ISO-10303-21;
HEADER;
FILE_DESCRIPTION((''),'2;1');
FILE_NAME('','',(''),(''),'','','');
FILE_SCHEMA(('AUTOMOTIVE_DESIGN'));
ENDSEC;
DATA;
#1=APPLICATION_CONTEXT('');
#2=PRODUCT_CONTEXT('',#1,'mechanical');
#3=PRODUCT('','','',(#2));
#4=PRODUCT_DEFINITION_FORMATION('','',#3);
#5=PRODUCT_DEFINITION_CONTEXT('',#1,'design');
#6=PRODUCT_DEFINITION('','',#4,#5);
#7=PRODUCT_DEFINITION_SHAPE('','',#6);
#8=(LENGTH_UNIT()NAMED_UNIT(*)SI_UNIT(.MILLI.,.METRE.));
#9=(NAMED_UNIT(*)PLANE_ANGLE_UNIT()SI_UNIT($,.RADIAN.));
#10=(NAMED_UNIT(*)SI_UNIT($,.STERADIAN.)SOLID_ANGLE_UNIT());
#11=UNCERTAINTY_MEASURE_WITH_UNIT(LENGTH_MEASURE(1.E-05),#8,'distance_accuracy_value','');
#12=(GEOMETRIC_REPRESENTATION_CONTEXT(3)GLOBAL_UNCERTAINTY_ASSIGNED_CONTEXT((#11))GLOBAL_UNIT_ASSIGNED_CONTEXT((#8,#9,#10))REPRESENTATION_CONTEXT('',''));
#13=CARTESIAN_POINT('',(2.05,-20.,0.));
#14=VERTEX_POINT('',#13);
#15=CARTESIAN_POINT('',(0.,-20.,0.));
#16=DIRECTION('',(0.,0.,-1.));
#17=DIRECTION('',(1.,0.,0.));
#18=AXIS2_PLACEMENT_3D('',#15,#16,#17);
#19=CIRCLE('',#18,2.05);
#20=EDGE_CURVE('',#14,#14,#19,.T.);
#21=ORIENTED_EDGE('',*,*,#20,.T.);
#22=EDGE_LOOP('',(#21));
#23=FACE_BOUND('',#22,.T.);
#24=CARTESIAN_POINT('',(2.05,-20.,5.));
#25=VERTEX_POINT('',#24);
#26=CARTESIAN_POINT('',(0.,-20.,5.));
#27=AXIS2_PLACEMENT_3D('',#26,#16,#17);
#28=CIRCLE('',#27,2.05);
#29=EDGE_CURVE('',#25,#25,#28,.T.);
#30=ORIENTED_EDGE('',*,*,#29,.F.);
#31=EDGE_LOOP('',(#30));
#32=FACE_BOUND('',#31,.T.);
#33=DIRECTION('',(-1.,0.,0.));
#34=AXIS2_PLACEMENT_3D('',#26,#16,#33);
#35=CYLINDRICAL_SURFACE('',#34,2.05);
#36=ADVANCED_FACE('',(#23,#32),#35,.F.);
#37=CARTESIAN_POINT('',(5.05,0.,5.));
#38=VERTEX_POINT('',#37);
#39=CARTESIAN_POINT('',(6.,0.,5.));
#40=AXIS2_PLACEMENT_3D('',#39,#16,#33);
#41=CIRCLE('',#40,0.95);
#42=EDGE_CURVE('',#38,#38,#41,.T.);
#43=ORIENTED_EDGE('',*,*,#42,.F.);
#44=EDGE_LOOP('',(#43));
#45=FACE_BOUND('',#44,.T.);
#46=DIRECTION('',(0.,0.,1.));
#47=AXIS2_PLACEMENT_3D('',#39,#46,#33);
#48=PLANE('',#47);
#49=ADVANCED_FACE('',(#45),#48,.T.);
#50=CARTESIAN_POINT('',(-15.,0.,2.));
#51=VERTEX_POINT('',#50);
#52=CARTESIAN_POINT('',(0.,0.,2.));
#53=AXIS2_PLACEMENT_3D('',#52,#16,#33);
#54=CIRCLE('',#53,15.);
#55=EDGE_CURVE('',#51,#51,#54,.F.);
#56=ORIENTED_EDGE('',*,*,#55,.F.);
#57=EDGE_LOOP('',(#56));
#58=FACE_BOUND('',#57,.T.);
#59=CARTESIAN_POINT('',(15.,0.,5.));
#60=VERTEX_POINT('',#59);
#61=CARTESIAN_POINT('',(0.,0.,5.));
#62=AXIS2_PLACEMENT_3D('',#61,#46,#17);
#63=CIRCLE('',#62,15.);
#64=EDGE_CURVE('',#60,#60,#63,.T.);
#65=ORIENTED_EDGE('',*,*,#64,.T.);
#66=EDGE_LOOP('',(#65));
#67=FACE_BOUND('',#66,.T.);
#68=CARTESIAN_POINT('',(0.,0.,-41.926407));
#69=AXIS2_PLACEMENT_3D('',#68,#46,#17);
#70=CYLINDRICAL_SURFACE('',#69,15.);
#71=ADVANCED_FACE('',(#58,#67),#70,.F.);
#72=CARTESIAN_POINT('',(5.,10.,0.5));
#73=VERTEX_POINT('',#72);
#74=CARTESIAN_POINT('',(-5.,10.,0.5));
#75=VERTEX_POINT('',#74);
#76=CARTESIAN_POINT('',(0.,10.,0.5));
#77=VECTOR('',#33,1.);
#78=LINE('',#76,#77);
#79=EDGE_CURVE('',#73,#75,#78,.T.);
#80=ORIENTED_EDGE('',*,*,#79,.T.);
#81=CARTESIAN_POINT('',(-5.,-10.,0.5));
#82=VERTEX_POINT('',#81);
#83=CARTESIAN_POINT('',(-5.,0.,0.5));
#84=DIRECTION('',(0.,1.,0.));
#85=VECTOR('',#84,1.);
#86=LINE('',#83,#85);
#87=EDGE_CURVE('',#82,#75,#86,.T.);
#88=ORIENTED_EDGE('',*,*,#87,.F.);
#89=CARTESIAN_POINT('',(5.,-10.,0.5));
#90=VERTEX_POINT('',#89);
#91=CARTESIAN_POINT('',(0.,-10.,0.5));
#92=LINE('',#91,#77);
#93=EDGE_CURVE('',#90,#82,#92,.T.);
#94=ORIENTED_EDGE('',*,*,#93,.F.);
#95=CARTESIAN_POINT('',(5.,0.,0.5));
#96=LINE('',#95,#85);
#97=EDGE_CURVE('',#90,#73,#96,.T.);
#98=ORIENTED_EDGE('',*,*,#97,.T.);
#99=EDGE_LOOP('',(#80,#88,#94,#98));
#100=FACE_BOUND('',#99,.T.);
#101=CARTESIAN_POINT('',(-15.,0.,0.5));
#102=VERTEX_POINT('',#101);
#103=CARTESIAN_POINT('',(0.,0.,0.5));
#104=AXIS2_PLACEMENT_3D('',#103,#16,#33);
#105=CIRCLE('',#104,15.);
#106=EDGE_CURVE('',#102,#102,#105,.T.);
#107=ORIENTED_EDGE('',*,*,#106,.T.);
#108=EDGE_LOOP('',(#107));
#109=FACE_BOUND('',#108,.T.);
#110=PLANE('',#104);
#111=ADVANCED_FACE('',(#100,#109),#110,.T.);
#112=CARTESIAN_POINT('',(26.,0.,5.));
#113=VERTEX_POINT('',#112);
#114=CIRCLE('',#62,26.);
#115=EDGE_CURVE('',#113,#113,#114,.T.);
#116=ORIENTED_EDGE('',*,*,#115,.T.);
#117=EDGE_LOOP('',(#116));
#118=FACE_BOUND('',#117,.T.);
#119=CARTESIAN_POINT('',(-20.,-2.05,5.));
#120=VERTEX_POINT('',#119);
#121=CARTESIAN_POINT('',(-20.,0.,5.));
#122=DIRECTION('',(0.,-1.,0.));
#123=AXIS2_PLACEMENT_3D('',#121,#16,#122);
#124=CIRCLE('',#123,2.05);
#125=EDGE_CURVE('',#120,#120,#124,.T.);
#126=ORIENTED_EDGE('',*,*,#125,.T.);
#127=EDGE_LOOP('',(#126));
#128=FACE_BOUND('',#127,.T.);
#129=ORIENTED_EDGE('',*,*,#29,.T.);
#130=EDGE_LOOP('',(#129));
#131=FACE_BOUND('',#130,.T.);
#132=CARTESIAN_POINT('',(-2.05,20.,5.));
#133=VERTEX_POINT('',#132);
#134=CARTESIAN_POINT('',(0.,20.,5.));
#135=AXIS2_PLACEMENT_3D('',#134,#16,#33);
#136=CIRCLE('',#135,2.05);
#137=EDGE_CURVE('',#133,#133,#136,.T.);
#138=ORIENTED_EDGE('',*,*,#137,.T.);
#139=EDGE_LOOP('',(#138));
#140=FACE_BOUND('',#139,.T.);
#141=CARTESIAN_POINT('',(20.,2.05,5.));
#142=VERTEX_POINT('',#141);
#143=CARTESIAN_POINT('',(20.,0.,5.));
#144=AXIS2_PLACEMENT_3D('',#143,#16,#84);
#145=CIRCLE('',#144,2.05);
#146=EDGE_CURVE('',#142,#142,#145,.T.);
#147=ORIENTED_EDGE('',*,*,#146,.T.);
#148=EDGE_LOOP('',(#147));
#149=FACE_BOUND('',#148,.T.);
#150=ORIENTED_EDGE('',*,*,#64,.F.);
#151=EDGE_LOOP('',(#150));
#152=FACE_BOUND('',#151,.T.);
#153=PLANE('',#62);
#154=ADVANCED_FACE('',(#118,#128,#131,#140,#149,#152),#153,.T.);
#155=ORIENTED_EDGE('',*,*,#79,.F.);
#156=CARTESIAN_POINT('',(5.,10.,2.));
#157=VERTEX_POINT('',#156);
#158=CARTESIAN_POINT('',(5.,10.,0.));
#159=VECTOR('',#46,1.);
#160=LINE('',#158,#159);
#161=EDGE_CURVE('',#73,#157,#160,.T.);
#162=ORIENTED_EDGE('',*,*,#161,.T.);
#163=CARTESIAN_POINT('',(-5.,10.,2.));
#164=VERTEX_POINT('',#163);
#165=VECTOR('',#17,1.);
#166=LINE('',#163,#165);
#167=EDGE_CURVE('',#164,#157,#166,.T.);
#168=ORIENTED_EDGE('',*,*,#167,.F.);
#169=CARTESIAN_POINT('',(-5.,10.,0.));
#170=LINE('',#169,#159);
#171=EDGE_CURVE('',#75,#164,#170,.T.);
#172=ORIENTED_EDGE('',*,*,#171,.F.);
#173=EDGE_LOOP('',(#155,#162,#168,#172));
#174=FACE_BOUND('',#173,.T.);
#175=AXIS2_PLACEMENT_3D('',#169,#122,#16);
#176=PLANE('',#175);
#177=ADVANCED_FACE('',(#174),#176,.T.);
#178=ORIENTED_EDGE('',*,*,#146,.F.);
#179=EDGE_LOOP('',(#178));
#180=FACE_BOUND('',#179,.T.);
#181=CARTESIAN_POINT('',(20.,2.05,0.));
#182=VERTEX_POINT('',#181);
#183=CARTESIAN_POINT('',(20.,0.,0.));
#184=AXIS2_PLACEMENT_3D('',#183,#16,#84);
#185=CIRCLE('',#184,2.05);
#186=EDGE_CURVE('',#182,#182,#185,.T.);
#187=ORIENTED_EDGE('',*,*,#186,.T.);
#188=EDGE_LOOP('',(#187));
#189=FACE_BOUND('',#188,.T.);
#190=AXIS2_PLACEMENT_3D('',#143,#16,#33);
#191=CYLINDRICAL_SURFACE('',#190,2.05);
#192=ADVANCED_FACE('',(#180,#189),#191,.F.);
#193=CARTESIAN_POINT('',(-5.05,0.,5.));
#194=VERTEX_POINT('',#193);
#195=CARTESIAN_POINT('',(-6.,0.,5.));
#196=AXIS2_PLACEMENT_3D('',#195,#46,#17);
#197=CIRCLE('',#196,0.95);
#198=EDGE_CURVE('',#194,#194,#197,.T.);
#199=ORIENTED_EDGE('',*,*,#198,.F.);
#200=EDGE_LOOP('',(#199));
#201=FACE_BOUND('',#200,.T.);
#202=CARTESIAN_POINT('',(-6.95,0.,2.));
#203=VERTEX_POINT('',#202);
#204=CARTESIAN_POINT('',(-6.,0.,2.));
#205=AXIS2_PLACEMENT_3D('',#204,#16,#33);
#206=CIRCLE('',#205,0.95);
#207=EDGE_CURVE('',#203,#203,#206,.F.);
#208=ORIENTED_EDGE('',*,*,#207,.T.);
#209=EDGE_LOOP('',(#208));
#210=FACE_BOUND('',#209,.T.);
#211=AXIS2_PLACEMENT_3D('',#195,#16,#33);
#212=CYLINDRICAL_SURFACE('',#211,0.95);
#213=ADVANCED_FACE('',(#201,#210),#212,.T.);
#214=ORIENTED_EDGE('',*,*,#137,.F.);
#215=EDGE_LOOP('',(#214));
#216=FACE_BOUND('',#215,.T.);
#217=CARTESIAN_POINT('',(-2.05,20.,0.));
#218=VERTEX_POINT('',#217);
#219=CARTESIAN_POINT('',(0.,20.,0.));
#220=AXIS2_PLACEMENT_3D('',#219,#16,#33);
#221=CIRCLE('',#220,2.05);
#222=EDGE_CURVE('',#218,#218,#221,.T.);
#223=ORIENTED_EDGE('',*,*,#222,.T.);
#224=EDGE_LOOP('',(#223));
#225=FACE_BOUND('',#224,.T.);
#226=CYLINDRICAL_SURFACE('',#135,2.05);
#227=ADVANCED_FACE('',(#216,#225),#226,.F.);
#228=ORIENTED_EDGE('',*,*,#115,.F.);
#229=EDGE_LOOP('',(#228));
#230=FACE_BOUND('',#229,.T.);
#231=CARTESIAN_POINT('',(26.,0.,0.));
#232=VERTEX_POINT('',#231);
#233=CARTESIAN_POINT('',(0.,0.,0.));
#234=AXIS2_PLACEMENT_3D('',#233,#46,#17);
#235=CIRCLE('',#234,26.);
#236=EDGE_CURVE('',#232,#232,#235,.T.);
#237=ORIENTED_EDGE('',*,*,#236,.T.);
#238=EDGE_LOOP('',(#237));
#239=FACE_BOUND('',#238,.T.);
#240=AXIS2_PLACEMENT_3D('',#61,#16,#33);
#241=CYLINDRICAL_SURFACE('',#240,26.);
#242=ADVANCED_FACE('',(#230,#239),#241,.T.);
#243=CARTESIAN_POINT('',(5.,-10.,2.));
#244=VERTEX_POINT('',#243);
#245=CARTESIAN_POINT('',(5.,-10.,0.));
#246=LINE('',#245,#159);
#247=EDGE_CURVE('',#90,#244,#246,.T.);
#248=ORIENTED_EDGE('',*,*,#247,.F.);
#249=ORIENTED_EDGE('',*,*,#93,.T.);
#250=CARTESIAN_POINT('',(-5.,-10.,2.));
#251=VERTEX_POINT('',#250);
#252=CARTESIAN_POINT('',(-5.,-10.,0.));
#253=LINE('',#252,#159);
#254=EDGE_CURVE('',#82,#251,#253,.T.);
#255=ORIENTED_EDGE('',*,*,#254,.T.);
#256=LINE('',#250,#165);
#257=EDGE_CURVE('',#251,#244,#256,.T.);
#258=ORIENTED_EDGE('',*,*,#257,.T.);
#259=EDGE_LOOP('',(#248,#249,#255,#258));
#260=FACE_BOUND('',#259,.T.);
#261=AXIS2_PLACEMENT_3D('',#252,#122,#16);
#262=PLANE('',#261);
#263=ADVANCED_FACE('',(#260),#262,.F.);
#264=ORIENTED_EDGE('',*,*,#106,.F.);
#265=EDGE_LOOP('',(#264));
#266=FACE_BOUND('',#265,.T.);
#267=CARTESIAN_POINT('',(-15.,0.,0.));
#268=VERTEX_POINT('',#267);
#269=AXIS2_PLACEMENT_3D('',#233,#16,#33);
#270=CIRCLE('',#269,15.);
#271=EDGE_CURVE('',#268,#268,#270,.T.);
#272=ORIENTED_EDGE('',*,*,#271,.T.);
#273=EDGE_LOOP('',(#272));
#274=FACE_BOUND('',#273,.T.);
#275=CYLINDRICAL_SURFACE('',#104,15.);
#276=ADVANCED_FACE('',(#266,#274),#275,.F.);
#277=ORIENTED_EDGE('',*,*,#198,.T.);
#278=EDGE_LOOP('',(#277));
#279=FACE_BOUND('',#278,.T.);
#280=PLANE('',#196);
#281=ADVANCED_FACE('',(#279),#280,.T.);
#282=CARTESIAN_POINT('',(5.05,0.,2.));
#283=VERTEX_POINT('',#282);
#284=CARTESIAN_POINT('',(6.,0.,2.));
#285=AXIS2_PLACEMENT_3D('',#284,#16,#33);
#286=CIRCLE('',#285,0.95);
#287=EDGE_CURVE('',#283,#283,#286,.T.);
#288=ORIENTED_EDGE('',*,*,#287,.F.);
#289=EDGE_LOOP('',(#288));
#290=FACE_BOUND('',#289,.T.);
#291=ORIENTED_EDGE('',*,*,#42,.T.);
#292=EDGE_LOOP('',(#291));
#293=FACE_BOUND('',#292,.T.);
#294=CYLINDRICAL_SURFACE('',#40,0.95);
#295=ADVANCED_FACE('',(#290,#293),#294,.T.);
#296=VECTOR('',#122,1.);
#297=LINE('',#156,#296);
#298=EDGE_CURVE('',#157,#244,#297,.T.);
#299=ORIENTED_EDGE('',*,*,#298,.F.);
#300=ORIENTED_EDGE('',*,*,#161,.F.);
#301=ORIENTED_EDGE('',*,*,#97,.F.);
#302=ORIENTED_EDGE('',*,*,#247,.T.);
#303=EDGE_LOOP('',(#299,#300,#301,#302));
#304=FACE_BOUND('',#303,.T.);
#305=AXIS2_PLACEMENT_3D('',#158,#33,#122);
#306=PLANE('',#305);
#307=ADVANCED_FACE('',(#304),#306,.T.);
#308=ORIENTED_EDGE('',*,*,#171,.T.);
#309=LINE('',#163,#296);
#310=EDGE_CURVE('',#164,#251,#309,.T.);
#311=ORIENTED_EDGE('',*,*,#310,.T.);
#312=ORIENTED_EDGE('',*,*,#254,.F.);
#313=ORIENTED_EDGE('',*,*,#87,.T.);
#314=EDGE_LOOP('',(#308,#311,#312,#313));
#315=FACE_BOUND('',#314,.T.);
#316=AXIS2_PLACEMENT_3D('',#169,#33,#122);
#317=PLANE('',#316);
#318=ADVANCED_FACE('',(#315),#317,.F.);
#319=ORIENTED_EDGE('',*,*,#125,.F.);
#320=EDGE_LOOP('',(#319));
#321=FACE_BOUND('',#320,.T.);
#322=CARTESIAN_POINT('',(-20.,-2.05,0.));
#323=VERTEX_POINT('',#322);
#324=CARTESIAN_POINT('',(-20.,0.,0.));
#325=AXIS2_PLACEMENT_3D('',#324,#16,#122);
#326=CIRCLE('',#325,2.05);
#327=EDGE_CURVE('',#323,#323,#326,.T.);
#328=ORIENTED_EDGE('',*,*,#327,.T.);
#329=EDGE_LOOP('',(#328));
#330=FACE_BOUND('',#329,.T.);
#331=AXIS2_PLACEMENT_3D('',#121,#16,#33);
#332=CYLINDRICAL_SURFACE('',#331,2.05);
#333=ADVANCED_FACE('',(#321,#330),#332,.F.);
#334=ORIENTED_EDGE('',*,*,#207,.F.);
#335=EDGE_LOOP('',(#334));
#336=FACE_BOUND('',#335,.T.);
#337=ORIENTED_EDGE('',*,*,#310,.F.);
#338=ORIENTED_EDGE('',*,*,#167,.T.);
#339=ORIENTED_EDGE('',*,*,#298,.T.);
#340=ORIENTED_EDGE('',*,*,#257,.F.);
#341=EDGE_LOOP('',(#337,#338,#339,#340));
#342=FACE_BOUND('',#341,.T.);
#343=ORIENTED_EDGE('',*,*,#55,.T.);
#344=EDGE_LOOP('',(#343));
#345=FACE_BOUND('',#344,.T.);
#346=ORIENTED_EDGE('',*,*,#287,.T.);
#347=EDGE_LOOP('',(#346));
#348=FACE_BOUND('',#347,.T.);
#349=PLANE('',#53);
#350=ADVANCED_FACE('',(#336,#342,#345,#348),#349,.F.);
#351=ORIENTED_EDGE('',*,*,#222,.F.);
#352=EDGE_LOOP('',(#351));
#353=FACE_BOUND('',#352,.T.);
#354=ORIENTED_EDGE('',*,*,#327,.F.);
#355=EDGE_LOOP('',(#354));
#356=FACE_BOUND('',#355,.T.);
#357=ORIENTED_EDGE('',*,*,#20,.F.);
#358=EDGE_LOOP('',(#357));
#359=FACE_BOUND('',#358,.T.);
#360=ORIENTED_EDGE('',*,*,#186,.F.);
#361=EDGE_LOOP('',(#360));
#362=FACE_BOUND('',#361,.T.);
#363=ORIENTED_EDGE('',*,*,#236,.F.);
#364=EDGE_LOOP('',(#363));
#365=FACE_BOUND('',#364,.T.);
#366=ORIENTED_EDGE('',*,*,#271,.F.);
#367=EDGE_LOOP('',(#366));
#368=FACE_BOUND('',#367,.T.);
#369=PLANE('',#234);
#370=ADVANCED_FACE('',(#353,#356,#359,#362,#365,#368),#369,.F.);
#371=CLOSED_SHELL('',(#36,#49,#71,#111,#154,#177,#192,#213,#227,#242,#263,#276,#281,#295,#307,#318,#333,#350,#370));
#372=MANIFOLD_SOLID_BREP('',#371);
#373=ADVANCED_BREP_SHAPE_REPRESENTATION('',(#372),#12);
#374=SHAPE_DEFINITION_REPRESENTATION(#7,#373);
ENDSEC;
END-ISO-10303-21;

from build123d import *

# Parameters (mm, degrees)
SKETCH_1_R               = 26
EXTRUDE_1_DEPTH          = 5
SKETCH_2_R               = 2.05
CUT_EXTRUDE_1_DEPTH      = 38.107950631
PATTERN_CIRCULAR_1_COUNT = 4
SKETCH_3_R               = 15
CUT_EXTRUDE_2_DEPTH      = 0.5
CUT_EXTRUDE_START        = -3
SKETCH_4_R               = 15
CUT_EXTRUDE_3_DEPTH      = 3
SKETCH_5_W               = 10
SKETCH_5_H               = 20
CUT_EXTRUDE_4_DEPTH      = 37.891733491
SKETCH_6_R               = 0.95
EXTRUDE_2_DEPTH          = 3


with BuildPart() as part:
    # 草图1 → 凸台-拉伸1 (new body)
    with BuildSketch(Plane.XY):
        Circle(SKETCH_1_R)
    extrude(amount=EXTRUDE_1_DEPTH)

    # 草图2 → 切除-拉伸1 (cut, through all)
    with BuildSketch(Plane(origin=(0, 0, 0), x_dir=(-1, 0, 0), z_dir=(0, 0, -1))):
        with Locations((0, 20)):
            Circle(SKETCH_2_R)
    cut_extrude_1 = extrude(amount=-CUT_EXTRUDE_1_DEPTH, mode=Mode.SUBTRACT)

    # 阵列(圆周)1: 切除-拉伸1 ×4 about axis
    pattern_circular_1_axis = Axis((0, 0, 0), (0, 0, 1))
    for i in range(1, PATTERN_CIRCULAR_1_COUNT):
        add(cut_extrude_1.rotate(pattern_circular_1_axis, i * 360 / PATTERN_CIRCULAR_1_COUNT), mode=Mode.SUBTRACT)

    # 草图3 → 切除-拉伸2 (cut)
    with BuildSketch(Plane(origin=(0, 0, 0), x_dir=(-1, 0, 0), z_dir=(0, 0, -1))):
        Circle(SKETCH_3_R)
    extrude(amount=-CUT_EXTRUDE_2_DEPTH, mode=Mode.SUBTRACT)

    # 草图4 → 切除-拉伸3 (cut)
    with BuildSketch(Plane.XY.offset(5).offset(CUT_EXTRUDE_START)):
        with Locations(Location((0, 0, 0), (0, 0, 180))):
            Circle(SKETCH_4_R)
    extrude(amount=CUT_EXTRUDE_3_DEPTH, mode=Mode.SUBTRACT)

    # 草图5 → 切除-拉伸4 (cut, through all)
    with BuildSketch(Plane.XY.offset(2)):
        Rectangle(SKETCH_5_W, SKETCH_5_H)
    extrude(amount=-CUT_EXTRUDE_4_DEPTH, mode=Mode.SUBTRACT)

    # 草图6 → 凸台-拉伸2 (add)
    with BuildSketch(Plane.XY.offset(2)):
        with Locations(Location((-6, 0, 0), (0, 0, 180))):
            Circle(SKETCH_6_R)
    extrude_2 = extrude(amount=EXTRUDE_2_DEPTH)

    # 镜向1: 凸台-拉伸2 across plane
    add(extrude_2.mirror(Plane(origin=(0, 0, 0), x_dir=(0, 0, 1), z_dir=(1, 0, 0))))


solid = part.part
